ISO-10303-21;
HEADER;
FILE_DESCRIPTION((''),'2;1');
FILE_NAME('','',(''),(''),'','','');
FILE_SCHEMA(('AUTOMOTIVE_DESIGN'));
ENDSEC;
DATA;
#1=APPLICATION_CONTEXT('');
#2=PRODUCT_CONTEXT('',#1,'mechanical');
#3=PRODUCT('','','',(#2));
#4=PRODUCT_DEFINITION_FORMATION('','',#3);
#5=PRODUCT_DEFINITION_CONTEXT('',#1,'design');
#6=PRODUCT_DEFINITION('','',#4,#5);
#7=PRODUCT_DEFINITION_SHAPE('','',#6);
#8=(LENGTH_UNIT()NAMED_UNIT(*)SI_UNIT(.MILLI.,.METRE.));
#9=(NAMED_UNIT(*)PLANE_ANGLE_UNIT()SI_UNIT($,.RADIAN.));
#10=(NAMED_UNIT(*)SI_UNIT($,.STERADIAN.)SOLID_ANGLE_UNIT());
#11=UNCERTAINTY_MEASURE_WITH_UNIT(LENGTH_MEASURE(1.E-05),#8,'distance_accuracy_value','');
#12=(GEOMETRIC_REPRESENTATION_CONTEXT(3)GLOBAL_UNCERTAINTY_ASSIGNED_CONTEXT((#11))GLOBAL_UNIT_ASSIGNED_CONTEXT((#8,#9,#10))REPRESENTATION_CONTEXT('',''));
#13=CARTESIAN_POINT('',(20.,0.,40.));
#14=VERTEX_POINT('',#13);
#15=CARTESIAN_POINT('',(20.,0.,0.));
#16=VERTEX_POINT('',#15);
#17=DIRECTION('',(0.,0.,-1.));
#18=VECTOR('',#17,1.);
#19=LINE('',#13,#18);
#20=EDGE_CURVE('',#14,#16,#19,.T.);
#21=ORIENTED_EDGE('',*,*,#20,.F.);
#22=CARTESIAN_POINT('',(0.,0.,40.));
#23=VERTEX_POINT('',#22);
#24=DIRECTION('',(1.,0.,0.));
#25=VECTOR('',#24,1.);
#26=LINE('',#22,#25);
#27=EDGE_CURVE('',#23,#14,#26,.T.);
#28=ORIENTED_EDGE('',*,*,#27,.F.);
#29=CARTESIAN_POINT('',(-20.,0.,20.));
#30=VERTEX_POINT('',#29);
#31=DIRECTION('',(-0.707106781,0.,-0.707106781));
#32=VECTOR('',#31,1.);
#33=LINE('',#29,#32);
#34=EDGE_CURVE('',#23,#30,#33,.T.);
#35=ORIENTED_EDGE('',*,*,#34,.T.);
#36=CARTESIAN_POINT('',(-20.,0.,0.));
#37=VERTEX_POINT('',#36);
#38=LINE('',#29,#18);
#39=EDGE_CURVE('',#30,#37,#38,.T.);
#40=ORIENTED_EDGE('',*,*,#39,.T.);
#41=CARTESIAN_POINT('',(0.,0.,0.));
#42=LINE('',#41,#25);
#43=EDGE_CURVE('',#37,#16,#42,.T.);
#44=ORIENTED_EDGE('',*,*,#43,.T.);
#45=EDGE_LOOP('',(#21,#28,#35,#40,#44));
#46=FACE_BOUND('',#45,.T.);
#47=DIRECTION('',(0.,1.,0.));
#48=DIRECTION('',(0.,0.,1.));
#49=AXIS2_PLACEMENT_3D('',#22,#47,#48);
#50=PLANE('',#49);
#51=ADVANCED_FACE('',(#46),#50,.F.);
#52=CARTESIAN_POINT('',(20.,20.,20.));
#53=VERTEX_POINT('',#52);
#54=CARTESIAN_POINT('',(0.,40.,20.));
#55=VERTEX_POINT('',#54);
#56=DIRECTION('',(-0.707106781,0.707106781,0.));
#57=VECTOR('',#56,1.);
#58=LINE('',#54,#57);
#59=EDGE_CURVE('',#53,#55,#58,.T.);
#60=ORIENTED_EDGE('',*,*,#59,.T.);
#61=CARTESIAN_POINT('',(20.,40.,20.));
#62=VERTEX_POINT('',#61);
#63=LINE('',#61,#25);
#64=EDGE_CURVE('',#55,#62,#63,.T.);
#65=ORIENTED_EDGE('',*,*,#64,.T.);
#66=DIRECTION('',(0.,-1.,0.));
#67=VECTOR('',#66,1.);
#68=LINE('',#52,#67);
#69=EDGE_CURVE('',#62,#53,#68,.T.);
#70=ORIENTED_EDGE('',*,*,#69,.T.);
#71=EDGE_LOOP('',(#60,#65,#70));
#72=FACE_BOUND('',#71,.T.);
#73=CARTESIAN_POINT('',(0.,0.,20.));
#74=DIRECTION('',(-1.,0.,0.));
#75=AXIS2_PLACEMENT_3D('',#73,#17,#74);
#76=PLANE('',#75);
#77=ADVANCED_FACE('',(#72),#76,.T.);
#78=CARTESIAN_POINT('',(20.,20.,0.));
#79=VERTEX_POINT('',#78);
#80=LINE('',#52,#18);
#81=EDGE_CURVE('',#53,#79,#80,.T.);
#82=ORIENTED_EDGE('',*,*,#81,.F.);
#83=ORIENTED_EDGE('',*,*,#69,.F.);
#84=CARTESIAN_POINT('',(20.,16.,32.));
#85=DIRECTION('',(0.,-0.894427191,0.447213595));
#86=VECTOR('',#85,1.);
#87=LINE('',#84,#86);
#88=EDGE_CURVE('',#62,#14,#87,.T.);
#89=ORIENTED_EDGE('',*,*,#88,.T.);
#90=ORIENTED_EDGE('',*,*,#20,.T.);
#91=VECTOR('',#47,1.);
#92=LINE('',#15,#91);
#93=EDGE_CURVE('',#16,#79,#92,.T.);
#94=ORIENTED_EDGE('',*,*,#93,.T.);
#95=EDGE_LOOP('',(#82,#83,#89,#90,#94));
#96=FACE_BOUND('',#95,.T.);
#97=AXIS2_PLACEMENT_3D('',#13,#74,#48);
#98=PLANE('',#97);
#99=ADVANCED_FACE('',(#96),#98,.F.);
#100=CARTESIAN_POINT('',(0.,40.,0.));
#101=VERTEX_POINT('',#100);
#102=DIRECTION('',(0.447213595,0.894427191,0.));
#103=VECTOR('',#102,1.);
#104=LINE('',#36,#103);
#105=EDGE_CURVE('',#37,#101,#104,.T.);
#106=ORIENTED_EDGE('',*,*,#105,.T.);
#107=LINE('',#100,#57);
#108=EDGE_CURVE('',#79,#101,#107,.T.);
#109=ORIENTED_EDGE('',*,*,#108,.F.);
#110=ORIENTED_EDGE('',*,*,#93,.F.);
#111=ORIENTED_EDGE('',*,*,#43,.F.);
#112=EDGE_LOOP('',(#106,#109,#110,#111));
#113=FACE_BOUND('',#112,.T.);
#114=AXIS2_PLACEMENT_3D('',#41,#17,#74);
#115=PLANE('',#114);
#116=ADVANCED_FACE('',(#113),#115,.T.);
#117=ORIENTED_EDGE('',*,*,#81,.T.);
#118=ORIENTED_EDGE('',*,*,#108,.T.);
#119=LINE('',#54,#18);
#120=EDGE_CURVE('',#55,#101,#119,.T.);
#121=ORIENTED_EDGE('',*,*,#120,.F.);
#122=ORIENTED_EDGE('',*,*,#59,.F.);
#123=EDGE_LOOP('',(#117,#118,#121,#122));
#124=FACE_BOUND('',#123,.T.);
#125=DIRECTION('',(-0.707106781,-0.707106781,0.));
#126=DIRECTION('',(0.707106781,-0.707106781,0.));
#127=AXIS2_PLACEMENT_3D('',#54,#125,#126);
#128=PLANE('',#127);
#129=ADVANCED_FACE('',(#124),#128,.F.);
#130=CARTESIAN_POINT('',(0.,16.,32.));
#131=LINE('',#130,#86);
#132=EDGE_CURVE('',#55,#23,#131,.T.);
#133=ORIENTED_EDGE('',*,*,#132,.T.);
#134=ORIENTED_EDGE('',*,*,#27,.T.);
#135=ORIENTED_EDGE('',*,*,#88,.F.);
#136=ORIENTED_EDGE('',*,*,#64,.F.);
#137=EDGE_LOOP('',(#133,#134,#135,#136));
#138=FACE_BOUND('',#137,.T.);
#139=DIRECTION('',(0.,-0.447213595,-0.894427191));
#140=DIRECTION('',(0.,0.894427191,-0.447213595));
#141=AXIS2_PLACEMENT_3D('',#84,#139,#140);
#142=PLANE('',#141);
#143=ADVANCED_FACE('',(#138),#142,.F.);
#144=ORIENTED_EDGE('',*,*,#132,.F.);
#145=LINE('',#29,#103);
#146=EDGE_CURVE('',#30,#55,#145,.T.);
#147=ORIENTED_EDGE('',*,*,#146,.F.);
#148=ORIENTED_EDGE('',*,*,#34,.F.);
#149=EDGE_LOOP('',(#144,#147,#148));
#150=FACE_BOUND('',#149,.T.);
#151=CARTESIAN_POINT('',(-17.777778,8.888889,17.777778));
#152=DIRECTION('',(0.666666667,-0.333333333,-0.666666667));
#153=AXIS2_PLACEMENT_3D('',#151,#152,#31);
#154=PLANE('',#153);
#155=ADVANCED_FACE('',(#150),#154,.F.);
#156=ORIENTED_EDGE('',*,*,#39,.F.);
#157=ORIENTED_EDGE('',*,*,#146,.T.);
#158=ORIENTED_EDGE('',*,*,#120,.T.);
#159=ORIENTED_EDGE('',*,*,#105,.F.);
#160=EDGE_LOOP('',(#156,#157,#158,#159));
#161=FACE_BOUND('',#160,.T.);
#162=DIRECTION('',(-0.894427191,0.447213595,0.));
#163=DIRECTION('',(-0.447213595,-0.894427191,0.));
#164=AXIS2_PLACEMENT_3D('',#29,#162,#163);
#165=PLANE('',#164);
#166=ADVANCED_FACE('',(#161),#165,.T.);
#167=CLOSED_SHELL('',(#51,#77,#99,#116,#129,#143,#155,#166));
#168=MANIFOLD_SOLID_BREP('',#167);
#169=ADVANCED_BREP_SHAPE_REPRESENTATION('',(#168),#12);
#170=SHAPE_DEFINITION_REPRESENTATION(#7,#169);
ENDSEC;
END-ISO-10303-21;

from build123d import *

# Parameters (mm, degrees)
SKETCH1_W           = 20
SKETCH1_H           = 40
BOSS_EXTRUDE1_DEPTH = 40
BOSS_EXTRUDE2_DEPTH = 20
CUT_EXTRUDE1_DEPTH  = 20
CUT_EXTRUDE2_DEPTH  = 20
BOSS_EXTRUDE3_DEPTH = 20
SKETCH6_W           = 20
SKETCH6_H           = 28.284271247
CUT_EXTRUDE3_DEPTH  = 20
SKETCH7_W           = 40
SKETCH7_H           = 40
CUT_EXTRUDE4_DEPTH  = 20


with BuildPart() as part:
    # Sketch1 → Boss-Extrude1 (new body)
    with BuildSketch(Plane.XY):
        with Locations((10, 20)):
            Rectangle(SKETCH1_W, SKETCH1_H)
    extrude(amount=BOSS_EXTRUDE1_DEPTH)

    # Sketch2 → Boss-Extrude2 (add)
    with BuildSketch(Plane(origin=(0, 0, 0), x_dir=(-1, 0, 0), z_dir=(0, 0, -1))):
        Polygon((0, 0), (20, 0), (0, 40), align=None)
    extrude(amount=-BOSS_EXTRUDE2_DEPTH)

    # Sketch3 → Cut-Extrude1 (cut)
    with BuildSketch(Plane(origin=(0, 0, 0), x_dir=(-1, 0, 0), z_dir=(0, 0, -1))):
        Polygon((0, 40), (-20, 20), (-20, 40), align=None)
    extrude(amount=-CUT_EXTRUDE1_DEPTH, mode=Mode.SUBTRACT)

    # Sketch4 → Cut-Extrude2 (cut)
    with BuildSketch(Plane.ZY):
        Polygon((20, 40), (40, 0), (40, 40), align=None)
    extrude(amount=-CUT_EXTRUDE2_DEPTH, mode=Mode.SUBTRACT)

    # Sketch5 → Boss-Extrude3 (add)
    with BuildSketch(Plane(origin=(-17.777777778, 8.888888889, 17.777777778), x_dir=(-0.745355992, -0.298142397, -0.596284794), z_dir=(0.666666667, -0.333333333, -0.666666667))):
        Polygon((-23.85139176, 26.83281573), (2.98142397, -8.94427191), (-23.85139176, -17.88854382), align=None)
    extrude(amount=BOSS_EXTRUDE3_DEPTH)

    # Sketch6 → Cut-Extrude3 (cut)
    with BuildSketch(Plane(origin=(20, 20, 0), x_dir=(0, 0, -1), z_dir=(0.707106781, 0.707106781, 0))):
        with Locations((-10, 14.142135624)):
            Rectangle(SKETCH6_W, SKETCH6_H)
    extrude(amount=CUT_EXTRUDE3_DEPTH, mode=Mode.SUBTRACT)

    # Sketch7 → Cut-Extrude4 (cut)
    with BuildSketch(Plane.XZ):
        with Locations((0, 20)):
            Rectangle(SKETCH7_W, SKETCH7_H)
    extrude(amount=CUT_EXTRUDE4_DEPTH, mode=Mode.SUBTRACT)


solid = part.part
